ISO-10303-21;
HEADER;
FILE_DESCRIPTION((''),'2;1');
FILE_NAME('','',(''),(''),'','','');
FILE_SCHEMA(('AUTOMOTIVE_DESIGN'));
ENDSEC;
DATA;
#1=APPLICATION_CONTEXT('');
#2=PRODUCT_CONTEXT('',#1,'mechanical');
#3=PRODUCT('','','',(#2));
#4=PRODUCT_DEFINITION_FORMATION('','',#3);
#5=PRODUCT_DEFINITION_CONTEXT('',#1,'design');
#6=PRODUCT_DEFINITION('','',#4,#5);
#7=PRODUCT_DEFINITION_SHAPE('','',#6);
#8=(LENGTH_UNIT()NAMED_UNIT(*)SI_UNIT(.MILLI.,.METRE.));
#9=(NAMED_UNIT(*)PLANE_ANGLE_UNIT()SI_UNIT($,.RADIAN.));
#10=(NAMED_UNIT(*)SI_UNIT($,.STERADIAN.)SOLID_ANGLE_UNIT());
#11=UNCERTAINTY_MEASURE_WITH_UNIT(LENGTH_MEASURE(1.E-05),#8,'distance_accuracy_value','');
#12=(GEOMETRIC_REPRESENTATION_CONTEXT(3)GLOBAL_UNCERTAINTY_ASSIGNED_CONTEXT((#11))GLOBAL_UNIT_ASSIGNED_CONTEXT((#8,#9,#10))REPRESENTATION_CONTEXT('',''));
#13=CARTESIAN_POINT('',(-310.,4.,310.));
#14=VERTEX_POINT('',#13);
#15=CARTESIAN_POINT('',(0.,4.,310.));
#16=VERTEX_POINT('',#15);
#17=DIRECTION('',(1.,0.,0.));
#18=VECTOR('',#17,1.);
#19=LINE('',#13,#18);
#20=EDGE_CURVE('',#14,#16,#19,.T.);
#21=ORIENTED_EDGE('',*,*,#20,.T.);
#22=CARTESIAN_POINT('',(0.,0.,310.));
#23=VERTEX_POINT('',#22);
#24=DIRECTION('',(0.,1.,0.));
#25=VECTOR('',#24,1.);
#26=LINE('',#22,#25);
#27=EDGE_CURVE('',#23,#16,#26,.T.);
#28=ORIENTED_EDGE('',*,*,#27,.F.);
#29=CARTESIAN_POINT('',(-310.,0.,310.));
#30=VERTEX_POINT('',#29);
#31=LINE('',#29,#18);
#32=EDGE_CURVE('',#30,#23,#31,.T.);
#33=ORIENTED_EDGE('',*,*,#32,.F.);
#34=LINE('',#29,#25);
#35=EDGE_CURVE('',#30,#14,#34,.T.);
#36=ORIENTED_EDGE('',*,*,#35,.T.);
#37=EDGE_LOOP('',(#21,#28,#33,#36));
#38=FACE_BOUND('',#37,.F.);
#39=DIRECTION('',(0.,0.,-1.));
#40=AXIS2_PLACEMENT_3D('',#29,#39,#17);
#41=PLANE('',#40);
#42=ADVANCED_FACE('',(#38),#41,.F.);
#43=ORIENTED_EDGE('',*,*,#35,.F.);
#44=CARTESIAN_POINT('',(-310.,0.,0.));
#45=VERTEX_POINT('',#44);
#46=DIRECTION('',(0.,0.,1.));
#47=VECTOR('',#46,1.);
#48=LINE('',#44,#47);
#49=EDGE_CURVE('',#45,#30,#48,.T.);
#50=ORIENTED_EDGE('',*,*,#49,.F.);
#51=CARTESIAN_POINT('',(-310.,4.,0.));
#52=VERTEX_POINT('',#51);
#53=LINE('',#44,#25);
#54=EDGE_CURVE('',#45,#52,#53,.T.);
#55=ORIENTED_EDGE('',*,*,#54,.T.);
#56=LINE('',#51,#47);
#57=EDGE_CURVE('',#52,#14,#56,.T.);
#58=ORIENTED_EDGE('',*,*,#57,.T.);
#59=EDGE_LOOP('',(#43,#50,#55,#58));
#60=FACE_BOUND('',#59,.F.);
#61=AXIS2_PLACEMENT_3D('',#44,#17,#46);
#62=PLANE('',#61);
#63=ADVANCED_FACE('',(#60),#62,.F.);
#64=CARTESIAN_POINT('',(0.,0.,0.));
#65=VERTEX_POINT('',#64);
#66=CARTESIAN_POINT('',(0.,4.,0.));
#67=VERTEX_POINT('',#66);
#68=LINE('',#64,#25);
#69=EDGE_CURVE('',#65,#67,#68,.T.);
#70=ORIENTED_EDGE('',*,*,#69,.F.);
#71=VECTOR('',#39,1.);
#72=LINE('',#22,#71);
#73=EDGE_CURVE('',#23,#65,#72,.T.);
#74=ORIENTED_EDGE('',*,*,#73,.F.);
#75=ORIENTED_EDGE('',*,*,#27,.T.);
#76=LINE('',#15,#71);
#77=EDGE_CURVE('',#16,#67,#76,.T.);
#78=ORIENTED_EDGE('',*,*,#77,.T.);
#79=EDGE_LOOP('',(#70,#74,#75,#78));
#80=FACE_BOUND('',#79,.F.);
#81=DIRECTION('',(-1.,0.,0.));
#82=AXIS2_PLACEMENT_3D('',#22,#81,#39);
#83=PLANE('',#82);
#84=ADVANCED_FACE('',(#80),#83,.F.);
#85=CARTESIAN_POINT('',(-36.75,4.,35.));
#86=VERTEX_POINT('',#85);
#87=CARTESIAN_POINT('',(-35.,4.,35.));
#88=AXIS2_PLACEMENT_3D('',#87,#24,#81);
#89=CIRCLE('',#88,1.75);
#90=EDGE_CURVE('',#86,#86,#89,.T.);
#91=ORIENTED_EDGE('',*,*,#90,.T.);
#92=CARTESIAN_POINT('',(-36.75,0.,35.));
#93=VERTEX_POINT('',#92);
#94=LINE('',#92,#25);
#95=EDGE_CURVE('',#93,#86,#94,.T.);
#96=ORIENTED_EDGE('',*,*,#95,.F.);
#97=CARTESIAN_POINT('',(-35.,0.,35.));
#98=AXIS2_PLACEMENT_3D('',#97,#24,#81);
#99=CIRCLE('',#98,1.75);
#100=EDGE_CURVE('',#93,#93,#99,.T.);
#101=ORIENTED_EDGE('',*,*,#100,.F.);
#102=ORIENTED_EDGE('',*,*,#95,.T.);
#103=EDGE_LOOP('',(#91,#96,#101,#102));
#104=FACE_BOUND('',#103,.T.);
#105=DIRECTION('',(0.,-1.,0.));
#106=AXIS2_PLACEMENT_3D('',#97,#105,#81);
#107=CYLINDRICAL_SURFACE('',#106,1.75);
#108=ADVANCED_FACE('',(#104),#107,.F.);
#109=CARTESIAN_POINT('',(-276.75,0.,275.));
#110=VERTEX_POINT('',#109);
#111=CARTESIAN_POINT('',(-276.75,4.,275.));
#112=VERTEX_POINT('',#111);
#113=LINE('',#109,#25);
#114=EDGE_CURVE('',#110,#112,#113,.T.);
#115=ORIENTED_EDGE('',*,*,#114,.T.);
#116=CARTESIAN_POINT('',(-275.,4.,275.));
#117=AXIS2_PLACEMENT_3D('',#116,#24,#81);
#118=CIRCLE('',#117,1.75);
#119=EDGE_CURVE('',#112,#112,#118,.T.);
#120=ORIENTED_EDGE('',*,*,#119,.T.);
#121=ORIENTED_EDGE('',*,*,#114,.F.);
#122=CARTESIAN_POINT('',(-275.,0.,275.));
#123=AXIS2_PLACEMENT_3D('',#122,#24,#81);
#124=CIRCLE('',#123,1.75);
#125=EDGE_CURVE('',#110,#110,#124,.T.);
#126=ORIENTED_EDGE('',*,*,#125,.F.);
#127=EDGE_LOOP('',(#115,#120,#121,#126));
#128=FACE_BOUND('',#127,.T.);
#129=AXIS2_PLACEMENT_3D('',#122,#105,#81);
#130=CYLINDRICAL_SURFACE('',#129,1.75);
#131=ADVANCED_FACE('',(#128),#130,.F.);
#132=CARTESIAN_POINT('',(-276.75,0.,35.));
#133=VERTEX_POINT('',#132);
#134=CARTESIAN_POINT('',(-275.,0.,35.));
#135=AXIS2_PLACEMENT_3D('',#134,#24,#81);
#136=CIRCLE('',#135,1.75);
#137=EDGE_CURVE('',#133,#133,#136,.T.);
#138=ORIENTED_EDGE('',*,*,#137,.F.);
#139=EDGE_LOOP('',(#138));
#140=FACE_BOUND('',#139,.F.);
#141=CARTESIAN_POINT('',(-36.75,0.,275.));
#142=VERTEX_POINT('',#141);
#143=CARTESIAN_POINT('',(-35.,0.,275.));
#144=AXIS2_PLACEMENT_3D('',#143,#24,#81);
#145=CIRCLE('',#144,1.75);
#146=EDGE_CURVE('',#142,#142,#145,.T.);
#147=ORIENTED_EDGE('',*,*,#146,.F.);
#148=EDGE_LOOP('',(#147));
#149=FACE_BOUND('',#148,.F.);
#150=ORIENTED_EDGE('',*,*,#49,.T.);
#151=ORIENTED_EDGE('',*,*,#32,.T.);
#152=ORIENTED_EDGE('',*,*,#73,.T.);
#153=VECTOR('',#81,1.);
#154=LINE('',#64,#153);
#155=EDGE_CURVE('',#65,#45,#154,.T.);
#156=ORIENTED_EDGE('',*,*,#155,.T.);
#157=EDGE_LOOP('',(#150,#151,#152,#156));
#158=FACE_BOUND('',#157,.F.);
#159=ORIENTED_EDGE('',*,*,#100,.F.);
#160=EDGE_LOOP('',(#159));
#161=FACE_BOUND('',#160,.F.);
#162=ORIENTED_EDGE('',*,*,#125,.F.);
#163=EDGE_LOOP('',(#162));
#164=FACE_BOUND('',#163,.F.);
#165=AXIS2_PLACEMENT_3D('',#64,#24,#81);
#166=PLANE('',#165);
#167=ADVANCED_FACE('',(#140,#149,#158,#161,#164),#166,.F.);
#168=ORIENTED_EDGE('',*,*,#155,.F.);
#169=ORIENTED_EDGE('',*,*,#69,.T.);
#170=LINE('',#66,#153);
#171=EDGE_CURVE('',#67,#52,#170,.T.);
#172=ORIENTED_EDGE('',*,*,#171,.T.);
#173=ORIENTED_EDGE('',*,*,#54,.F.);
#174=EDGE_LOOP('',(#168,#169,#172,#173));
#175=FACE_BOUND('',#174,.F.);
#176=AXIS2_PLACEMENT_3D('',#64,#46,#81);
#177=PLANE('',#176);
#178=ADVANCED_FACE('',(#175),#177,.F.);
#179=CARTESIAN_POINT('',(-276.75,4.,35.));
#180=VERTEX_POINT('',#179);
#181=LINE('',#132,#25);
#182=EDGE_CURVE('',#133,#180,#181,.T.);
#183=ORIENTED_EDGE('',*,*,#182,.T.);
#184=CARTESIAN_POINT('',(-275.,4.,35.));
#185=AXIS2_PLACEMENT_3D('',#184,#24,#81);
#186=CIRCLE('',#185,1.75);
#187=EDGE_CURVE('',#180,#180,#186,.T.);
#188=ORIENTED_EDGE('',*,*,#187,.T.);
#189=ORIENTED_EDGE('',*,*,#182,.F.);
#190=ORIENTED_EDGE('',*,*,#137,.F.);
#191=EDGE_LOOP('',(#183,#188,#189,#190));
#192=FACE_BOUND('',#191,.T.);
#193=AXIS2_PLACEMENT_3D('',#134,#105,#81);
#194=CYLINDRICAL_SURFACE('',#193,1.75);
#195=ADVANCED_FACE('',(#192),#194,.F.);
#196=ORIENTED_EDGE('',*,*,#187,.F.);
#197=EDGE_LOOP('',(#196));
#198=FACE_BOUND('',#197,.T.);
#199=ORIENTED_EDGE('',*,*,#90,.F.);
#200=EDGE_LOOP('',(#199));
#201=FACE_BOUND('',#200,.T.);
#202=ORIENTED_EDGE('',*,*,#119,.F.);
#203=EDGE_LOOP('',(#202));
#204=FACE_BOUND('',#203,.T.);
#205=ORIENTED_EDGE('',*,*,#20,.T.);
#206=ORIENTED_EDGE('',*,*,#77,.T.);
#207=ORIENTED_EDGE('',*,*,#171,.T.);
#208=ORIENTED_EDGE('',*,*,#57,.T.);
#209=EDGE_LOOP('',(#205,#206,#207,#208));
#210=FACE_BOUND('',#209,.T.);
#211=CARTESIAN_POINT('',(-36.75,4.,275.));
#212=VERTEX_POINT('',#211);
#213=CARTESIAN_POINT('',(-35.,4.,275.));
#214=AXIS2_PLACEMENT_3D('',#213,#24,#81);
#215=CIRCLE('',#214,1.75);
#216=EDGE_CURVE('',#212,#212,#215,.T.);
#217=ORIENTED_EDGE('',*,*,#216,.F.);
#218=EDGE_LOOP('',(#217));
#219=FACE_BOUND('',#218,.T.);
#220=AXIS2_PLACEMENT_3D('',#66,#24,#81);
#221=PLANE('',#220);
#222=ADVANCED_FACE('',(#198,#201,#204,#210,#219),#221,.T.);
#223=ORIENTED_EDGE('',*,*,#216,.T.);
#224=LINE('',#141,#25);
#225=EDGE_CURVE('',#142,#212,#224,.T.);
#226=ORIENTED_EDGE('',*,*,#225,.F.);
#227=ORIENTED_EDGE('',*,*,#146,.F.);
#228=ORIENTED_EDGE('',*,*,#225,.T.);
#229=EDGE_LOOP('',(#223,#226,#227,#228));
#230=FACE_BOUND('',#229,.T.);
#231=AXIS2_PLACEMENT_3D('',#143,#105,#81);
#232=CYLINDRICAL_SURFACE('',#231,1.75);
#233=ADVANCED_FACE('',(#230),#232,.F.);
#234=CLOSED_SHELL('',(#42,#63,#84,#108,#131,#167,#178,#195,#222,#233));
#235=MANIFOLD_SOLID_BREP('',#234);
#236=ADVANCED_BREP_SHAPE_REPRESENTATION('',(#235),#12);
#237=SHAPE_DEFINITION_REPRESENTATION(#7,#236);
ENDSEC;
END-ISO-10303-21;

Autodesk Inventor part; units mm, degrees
ref_plane "YZ Plane" through (0, 0, 0) normal (1, 0, 0) x (0, 1, 0)
ref_plane "XZ Plane" through (0, 0, 0) normal (0, 1, 0) x (-1, 0, 0)
ref_plane "XY Plane" through (0, 0, 0) normal (0, 0, 1) x (1, 0, 0)
sketch "Sketch1" plane through (0, 0, 0) normal (0, 1, 0) x (-1, 0, 0)
  line L0 (0, 0) -> (310, 0)
  line L1 (310, 0) -> (310, 310)
  line L2 (310, 310) -> (0, 310)
  line L3 (0, 310) -> (0, 0)
  circle A0 centre (35, 35) radius 1.75
  circle A1 centre (275, 35) radius 1.75
  circle A2 centre (35, 275) radius 1.75
  circle A3 centre (275, 275) radius 1.75
  dimension "d0" = 310
  dimension "d1" = 310
  dimension "d2" = 240
  dimension "d3" = 240
  dimension "d4" = 240
  dimension "d5" = 240
  dimension "d6" = 35
  dimension "d7" = 35
  dimension "d8" = 3.5
  dimension "d9" = 3.5
  dimension "d10" = 3.5
  dimension "d11" = 3.5
extrude "Extrusion1" add sketch "Sketch1" along normal blind 4
sketch "Sketch2" plane through (0, 4, 0) normal (0, 1, 0) x (1, 0, 0)
  line L0 (-298.7801, -142.1723) -> (8.953, -142.1723) construction
  line L1 (8.953, -142.1723) -> (8.953, -252.6087) construction
  line L2 (8.953, -252.6087) -> (-298.7801, -252.6087) construction
  line L3 (-298.7801, -252.6087) -> (-298.7801, -142.1723) construction
  point P0 (0, 0)
equation "\"d6\" = -0.5 * d2 + 0.5 * d1"
equation "\"d7\" = -0.5 * d2 + 0.5 * d1"
equation "\"d9\" = d8"
properties part number "heatbed"
